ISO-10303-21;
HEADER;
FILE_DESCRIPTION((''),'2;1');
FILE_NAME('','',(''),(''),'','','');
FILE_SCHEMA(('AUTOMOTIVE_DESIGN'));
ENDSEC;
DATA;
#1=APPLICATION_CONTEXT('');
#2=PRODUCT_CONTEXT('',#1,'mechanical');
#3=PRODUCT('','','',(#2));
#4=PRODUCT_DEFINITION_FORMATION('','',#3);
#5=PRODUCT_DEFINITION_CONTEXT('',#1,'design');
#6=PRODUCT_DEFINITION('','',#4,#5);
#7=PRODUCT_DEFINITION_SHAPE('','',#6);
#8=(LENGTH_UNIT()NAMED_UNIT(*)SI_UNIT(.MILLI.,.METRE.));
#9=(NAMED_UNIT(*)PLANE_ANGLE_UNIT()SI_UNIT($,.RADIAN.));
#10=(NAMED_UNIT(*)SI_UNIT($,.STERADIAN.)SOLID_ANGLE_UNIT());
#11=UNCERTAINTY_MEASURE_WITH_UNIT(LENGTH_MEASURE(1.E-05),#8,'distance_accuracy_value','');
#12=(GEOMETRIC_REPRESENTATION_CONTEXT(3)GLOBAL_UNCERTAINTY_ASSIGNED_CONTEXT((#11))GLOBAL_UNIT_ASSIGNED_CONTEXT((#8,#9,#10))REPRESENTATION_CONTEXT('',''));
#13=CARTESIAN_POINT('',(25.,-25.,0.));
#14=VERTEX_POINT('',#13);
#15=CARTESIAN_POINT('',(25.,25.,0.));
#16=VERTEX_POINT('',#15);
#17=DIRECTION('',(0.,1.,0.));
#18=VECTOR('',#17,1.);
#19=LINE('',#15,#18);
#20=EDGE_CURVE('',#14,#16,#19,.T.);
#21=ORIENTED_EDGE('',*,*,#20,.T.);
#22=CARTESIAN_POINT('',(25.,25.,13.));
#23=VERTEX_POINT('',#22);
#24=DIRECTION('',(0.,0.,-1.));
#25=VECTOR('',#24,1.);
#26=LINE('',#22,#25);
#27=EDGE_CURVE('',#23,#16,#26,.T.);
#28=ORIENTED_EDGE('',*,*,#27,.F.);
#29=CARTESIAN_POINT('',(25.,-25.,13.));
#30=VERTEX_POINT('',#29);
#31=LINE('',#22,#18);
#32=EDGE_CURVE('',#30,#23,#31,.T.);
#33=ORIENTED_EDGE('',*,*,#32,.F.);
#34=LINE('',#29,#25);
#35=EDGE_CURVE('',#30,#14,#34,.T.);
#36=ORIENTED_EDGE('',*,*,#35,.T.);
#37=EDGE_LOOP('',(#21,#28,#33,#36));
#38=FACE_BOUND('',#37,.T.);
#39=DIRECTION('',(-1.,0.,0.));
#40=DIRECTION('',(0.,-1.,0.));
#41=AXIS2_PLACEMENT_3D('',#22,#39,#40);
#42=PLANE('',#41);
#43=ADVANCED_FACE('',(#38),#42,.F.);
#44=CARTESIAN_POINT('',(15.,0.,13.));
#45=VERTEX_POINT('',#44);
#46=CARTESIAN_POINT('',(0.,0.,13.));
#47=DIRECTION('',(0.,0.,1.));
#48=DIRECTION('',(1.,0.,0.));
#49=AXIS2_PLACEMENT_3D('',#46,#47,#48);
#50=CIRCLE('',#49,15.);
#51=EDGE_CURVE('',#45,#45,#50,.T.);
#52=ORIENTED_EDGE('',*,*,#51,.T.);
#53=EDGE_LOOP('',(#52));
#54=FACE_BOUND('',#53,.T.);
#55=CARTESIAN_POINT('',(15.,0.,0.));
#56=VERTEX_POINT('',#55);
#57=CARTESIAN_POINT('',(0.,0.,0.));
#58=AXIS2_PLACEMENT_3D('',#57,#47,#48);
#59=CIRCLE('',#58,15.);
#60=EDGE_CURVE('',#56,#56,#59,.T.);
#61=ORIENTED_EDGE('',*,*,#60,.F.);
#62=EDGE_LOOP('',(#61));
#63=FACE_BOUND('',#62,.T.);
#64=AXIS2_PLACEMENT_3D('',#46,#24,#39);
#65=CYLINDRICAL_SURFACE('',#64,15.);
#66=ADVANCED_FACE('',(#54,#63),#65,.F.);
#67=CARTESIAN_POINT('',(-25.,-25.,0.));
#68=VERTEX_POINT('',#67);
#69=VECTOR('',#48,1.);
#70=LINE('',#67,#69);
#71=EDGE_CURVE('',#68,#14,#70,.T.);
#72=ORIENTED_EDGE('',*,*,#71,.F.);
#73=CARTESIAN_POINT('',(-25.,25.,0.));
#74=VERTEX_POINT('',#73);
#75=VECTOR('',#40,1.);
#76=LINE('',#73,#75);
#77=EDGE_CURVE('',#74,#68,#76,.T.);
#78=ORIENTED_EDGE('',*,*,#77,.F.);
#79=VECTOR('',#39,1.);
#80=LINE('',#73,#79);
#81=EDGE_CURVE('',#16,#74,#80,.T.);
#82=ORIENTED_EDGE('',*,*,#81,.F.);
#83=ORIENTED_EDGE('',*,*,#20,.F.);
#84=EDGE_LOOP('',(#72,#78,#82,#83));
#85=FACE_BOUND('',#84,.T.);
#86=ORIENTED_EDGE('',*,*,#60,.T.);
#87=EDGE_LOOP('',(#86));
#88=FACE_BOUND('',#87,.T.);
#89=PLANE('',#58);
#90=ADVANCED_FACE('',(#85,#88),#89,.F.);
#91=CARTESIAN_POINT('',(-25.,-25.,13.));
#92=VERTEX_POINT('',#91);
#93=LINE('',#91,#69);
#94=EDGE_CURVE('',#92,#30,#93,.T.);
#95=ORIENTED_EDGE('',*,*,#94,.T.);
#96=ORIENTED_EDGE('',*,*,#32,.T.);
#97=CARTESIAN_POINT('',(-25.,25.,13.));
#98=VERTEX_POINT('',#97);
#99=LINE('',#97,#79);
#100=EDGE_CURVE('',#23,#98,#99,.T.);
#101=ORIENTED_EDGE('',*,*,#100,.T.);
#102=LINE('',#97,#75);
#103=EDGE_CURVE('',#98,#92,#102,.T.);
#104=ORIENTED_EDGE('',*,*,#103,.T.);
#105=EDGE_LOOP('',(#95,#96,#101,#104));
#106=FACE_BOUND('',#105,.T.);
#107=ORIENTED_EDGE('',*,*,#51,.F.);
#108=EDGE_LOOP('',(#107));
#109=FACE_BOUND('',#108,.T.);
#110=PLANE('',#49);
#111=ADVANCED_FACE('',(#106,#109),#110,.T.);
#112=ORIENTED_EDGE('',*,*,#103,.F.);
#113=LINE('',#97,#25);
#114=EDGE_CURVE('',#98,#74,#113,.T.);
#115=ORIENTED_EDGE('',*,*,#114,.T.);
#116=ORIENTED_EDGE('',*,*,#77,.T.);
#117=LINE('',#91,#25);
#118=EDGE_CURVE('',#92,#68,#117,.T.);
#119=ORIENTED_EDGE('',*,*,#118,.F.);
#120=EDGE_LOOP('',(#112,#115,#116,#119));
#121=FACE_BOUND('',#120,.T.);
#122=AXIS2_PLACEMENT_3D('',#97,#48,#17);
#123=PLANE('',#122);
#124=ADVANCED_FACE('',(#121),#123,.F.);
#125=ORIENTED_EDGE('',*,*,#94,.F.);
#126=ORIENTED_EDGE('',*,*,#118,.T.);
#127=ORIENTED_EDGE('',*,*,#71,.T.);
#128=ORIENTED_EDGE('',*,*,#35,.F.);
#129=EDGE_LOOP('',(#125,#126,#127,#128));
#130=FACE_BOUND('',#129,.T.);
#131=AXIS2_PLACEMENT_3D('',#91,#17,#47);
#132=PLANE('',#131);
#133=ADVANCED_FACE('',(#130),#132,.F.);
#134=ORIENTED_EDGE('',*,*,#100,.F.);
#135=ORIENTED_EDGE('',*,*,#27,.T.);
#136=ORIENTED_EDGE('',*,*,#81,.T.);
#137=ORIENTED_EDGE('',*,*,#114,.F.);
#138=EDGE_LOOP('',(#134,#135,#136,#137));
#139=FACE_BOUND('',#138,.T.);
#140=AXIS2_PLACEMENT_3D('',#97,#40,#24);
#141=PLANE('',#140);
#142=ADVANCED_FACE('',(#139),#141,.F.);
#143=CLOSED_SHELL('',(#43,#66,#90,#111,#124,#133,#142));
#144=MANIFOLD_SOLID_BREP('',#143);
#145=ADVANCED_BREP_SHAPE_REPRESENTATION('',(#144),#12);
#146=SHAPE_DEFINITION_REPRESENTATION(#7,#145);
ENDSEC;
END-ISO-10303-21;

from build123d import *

# Parameters (mm, degrees)
SKETCH1_W           = 50
SKETCH1_H           = 50
SKETCH1_R           = 15
BOSS_EXTRUDE1_DEPTH = 13


with BuildPart() as part:
    # Sketch1 → Boss-Extrude1 (new body)
    with BuildSketch(Plane.XY):
        Rectangle(SKETCH1_W, SKETCH1_H)
        Circle(SKETCH1_R, mode=Mode.SUBTRACT)
    extrude(amount=BOSS_EXTRUDE1_DEPTH)


solid = part.part
